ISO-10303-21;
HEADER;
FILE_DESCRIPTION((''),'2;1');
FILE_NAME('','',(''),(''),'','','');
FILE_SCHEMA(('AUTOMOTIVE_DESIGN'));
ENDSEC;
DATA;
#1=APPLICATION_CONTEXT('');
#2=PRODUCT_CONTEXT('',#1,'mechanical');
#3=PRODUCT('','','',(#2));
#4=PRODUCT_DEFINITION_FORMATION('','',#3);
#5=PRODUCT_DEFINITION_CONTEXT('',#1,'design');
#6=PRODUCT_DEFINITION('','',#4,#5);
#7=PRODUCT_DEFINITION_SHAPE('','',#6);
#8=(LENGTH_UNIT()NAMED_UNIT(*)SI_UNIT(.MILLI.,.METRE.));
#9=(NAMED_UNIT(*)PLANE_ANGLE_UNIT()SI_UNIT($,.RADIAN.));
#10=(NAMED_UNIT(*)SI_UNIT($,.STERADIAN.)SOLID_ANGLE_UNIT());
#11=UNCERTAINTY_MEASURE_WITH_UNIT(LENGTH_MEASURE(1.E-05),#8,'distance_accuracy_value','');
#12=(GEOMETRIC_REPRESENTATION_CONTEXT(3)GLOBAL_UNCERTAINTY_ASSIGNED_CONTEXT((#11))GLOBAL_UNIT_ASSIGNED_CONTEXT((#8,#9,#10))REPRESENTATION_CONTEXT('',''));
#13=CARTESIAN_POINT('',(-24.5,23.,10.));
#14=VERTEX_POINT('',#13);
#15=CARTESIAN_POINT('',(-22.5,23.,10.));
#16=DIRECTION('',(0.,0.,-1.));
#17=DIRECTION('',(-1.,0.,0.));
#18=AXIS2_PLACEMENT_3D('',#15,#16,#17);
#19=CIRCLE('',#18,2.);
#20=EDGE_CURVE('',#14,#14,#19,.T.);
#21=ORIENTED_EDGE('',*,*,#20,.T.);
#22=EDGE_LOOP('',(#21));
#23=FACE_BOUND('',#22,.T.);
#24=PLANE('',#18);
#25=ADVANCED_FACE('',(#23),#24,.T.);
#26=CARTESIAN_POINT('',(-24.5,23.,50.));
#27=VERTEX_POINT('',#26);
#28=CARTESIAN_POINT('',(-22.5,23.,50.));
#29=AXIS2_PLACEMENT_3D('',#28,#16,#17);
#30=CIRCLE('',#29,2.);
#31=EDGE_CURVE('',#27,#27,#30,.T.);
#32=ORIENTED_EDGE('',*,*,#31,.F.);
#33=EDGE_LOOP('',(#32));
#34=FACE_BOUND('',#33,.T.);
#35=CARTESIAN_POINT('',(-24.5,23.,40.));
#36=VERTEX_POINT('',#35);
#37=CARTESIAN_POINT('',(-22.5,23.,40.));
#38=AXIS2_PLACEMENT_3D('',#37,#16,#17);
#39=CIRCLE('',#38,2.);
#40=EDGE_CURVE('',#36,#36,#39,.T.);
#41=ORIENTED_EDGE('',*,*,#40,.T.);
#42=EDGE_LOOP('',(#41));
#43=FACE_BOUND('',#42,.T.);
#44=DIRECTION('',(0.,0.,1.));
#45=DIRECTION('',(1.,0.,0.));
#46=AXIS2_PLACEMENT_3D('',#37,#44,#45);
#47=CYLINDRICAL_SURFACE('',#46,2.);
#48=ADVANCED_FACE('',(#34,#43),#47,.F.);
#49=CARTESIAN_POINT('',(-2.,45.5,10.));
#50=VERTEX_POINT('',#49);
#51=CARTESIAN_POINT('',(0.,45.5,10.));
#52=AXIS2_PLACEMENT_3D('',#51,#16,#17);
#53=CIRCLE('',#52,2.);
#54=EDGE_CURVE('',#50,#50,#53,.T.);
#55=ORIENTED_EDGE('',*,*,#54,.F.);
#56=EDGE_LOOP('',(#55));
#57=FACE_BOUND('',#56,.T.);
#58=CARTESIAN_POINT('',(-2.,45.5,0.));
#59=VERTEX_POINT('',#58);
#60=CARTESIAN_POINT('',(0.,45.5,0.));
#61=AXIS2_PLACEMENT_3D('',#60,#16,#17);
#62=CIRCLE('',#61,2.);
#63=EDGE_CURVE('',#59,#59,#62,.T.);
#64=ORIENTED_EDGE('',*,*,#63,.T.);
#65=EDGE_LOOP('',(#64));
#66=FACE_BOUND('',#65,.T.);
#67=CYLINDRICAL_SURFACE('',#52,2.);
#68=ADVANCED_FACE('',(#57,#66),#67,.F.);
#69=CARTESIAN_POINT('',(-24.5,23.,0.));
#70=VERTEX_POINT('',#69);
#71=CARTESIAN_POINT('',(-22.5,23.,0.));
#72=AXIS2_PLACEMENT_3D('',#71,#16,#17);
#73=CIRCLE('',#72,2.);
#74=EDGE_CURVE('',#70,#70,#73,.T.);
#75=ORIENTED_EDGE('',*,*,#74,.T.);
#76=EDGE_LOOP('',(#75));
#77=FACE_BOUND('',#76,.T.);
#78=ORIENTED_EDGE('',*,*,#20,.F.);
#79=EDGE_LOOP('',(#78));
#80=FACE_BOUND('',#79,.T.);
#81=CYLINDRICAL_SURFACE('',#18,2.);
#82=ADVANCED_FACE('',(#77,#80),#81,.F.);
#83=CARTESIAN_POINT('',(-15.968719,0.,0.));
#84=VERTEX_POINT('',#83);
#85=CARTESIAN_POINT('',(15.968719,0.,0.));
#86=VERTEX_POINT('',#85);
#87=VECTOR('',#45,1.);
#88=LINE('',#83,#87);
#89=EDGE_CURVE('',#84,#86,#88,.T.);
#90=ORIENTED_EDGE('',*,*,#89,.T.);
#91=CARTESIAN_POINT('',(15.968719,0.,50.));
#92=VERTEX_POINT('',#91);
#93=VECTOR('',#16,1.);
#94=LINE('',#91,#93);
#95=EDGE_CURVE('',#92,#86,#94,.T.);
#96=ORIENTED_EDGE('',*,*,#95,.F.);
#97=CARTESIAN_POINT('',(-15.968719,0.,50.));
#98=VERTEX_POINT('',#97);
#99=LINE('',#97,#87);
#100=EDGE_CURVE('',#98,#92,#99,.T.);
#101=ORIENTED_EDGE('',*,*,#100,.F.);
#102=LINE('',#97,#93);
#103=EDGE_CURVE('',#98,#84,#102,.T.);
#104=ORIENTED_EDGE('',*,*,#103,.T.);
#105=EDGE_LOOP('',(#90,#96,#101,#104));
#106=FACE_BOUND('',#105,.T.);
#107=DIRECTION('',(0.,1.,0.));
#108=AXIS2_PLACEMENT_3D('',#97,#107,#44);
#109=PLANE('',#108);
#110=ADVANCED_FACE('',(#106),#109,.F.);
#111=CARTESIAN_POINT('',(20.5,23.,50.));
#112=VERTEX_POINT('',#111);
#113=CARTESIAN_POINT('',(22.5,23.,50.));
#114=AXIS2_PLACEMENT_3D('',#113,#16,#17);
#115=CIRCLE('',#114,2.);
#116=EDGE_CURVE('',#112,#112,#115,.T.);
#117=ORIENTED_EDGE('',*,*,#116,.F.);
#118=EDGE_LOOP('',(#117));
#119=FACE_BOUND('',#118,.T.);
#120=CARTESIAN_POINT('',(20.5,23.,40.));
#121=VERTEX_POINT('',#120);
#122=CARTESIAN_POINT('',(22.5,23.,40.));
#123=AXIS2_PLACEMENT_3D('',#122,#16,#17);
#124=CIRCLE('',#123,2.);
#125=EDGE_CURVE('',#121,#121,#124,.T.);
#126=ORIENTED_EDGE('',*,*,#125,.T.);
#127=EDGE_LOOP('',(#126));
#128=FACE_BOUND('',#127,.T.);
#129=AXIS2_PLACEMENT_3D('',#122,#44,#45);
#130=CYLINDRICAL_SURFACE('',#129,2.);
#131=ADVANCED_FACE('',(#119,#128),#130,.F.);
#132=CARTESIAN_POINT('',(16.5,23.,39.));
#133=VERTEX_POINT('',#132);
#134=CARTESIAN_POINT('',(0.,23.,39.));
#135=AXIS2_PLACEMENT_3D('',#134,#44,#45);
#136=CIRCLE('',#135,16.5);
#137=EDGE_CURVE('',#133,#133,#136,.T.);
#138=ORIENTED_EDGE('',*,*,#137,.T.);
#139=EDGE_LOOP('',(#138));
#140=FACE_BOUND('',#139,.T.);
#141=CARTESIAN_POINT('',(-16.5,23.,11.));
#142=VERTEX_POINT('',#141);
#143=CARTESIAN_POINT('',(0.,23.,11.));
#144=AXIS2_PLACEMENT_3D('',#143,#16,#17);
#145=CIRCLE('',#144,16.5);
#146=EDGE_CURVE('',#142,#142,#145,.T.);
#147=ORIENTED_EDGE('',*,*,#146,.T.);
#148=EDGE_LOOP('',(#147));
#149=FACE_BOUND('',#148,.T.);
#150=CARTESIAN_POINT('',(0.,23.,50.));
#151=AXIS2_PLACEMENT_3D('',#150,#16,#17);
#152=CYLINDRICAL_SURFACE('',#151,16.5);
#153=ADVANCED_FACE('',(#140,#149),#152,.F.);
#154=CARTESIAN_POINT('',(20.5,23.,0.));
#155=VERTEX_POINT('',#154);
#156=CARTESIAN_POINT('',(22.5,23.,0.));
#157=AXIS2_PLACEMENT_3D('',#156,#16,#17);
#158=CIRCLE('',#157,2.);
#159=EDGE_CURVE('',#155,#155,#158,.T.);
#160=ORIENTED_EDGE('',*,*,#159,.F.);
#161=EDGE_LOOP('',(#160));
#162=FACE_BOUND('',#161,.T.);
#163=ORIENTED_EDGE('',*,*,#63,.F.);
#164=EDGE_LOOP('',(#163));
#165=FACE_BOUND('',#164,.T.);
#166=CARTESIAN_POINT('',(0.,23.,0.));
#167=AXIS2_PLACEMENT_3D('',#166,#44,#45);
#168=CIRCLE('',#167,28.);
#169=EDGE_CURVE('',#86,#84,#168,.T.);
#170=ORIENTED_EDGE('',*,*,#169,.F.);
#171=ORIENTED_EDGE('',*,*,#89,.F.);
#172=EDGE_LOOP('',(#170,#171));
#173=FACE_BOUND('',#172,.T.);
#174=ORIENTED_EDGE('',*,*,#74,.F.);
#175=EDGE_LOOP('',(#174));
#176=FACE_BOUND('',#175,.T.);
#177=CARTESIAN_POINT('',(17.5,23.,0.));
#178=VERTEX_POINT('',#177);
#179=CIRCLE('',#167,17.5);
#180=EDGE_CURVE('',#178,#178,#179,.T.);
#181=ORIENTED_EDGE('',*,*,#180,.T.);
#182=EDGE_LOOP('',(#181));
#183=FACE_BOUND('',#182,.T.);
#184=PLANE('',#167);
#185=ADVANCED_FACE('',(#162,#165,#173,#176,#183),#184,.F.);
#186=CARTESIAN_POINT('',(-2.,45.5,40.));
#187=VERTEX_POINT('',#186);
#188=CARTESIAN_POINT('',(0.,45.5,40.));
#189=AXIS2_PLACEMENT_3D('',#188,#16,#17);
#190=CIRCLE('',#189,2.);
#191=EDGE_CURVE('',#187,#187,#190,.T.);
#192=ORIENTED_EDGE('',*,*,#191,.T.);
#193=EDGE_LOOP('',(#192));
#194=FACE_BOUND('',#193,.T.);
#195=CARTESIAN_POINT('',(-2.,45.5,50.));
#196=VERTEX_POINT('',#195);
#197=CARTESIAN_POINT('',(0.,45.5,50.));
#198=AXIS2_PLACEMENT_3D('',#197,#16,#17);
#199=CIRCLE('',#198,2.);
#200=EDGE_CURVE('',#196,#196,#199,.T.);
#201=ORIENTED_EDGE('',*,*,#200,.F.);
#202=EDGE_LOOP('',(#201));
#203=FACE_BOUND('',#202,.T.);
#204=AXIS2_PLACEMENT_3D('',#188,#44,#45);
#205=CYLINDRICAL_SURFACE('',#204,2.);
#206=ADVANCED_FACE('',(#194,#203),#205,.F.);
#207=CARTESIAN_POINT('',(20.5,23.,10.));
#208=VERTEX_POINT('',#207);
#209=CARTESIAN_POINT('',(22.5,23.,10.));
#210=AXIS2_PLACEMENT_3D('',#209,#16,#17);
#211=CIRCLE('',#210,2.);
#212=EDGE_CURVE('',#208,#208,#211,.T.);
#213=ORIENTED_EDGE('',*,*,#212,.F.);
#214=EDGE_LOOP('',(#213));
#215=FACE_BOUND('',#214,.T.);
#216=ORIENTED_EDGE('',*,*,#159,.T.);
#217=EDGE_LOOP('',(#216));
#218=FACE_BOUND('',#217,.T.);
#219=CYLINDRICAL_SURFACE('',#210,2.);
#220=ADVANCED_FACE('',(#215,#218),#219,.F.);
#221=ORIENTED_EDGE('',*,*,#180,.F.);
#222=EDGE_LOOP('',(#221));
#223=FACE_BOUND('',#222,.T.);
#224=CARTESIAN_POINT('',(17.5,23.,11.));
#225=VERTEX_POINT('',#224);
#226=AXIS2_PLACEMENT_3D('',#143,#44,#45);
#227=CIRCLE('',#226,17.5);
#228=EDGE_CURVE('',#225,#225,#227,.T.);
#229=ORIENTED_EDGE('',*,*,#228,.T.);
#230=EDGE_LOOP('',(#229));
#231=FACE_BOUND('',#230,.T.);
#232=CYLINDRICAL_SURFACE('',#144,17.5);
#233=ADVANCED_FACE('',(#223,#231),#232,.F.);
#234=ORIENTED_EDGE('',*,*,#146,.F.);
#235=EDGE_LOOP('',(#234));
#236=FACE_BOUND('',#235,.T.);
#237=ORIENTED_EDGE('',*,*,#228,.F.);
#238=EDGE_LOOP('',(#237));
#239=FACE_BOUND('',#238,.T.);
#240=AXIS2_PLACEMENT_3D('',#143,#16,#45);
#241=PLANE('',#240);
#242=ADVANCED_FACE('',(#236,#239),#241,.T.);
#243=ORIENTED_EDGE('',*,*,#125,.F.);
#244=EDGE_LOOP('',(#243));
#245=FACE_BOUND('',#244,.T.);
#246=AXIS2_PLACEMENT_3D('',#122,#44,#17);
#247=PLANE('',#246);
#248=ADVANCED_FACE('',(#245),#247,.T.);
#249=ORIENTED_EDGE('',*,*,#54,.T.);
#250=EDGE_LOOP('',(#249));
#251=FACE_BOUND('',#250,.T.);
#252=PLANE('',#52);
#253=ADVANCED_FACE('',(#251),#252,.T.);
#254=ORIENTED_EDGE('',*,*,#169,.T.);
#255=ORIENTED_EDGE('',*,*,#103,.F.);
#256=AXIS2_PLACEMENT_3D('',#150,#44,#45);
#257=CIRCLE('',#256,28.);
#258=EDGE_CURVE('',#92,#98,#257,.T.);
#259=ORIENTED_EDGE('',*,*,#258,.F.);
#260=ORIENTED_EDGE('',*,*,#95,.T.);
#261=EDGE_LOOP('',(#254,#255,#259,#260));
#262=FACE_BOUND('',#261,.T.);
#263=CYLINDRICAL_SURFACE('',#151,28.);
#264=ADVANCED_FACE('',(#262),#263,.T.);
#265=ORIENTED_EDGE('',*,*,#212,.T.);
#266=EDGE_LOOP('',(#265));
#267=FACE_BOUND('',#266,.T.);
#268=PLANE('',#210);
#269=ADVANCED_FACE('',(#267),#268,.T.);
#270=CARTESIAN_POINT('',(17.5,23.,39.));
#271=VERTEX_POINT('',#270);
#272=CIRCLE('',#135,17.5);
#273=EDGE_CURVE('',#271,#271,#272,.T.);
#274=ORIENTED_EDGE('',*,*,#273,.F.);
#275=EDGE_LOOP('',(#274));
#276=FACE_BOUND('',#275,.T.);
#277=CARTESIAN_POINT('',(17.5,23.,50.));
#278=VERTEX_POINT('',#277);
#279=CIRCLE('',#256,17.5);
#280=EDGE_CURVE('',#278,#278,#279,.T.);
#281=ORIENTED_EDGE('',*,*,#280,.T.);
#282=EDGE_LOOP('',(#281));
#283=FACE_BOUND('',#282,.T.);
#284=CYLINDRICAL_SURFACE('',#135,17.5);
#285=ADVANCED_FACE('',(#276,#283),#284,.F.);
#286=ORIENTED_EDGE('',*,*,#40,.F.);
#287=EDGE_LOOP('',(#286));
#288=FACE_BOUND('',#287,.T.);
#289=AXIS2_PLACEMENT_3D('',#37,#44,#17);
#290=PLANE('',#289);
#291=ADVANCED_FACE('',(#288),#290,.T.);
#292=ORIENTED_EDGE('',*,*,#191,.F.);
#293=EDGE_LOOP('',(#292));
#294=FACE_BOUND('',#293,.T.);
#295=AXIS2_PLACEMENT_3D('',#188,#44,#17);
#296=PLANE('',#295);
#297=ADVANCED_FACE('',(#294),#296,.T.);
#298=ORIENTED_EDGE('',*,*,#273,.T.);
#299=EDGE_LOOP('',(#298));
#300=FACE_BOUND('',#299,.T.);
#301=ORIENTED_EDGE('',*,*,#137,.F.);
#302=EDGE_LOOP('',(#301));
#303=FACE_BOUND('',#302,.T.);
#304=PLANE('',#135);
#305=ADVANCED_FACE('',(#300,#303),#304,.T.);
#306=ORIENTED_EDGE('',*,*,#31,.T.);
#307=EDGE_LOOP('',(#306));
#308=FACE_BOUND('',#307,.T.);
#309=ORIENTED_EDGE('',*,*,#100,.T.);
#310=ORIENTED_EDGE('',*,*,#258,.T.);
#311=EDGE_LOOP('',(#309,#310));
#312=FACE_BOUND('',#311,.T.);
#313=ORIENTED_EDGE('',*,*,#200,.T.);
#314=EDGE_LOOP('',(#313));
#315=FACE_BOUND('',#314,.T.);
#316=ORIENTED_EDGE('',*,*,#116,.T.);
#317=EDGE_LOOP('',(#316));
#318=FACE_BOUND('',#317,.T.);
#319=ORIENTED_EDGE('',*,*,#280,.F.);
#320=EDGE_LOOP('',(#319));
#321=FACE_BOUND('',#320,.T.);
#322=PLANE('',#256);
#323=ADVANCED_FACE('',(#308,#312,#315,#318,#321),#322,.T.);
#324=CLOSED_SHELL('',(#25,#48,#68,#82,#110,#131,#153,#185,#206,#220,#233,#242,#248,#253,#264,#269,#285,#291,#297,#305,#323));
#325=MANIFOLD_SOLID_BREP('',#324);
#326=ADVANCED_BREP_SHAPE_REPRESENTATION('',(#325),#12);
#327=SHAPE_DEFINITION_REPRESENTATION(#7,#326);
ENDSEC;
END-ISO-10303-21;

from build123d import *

# Parameters (mm, degrees)
SKETCH1_R           = 16.5
BOSS_EXTRUDE1_DEPTH = 50
SKETCH2_R           = 17.5
CUT_EXTRUDE1_DEPTH  = 11
SKETCH3_R           = 2
CUT_EXTRUDE2_DEPTH  = 10


with BuildPart() as part:
    # Sketch1 → Boss-Extrude1 (new body)
    with BuildSketch(Plane.XY):
        with BuildLine():
            Line((-15.968719423, 0), (15.968719423, 0))
            ThreePointArc((15.968719423, 0), (0, 51), (-15.968719423, 0))
        make_face()
        with Locations((0, 23)):
            Circle(SKETCH1_R, mode=Mode.SUBTRACT)
    extrude(amount=BOSS_EXTRUDE1_DEPTH)

    # Sketch2 → Cut-Extrude1 (cut)
    with BuildSketch(Plane.XY.offset(50)):
        with Locations((0, 23)):
            Circle(SKETCH2_R)
    cut_extrude1 = extrude(amount=-CUT_EXTRUDE1_DEPTH, mode=Mode.SUBTRACT)

    # Mirror1: Cut-Extrude1 across plane
    add(cut_extrude1.mirror(Plane.XY.offset(25)), mode=Mode.SUBTRACT)

    # Sketch3 → Cut-Extrude2 (cut)
    with BuildSketch(Plane(origin=(0, 0, 0), x_dir=(-1, 0, 0), z_dir=(0, 0, -1))):
        with Locations((0, 45.5)):
            Circle(SKETCH3_R)
        with Locations((-22.5, 23)):
            Circle(SKETCH3_R)
        with Locations((22.5, 23)):
            Circle(SKETCH3_R)
    cut_extrude2 = extrude(amount=-CUT_EXTRUDE2_DEPTH, mode=Mode.SUBTRACT)

    # Mirror2: Cut-Extrude2 across plane
    add(cut_extrude2.mirror(Plane.XY.offset(25)), mode=Mode.SUBTRACT)


solid = part.part
